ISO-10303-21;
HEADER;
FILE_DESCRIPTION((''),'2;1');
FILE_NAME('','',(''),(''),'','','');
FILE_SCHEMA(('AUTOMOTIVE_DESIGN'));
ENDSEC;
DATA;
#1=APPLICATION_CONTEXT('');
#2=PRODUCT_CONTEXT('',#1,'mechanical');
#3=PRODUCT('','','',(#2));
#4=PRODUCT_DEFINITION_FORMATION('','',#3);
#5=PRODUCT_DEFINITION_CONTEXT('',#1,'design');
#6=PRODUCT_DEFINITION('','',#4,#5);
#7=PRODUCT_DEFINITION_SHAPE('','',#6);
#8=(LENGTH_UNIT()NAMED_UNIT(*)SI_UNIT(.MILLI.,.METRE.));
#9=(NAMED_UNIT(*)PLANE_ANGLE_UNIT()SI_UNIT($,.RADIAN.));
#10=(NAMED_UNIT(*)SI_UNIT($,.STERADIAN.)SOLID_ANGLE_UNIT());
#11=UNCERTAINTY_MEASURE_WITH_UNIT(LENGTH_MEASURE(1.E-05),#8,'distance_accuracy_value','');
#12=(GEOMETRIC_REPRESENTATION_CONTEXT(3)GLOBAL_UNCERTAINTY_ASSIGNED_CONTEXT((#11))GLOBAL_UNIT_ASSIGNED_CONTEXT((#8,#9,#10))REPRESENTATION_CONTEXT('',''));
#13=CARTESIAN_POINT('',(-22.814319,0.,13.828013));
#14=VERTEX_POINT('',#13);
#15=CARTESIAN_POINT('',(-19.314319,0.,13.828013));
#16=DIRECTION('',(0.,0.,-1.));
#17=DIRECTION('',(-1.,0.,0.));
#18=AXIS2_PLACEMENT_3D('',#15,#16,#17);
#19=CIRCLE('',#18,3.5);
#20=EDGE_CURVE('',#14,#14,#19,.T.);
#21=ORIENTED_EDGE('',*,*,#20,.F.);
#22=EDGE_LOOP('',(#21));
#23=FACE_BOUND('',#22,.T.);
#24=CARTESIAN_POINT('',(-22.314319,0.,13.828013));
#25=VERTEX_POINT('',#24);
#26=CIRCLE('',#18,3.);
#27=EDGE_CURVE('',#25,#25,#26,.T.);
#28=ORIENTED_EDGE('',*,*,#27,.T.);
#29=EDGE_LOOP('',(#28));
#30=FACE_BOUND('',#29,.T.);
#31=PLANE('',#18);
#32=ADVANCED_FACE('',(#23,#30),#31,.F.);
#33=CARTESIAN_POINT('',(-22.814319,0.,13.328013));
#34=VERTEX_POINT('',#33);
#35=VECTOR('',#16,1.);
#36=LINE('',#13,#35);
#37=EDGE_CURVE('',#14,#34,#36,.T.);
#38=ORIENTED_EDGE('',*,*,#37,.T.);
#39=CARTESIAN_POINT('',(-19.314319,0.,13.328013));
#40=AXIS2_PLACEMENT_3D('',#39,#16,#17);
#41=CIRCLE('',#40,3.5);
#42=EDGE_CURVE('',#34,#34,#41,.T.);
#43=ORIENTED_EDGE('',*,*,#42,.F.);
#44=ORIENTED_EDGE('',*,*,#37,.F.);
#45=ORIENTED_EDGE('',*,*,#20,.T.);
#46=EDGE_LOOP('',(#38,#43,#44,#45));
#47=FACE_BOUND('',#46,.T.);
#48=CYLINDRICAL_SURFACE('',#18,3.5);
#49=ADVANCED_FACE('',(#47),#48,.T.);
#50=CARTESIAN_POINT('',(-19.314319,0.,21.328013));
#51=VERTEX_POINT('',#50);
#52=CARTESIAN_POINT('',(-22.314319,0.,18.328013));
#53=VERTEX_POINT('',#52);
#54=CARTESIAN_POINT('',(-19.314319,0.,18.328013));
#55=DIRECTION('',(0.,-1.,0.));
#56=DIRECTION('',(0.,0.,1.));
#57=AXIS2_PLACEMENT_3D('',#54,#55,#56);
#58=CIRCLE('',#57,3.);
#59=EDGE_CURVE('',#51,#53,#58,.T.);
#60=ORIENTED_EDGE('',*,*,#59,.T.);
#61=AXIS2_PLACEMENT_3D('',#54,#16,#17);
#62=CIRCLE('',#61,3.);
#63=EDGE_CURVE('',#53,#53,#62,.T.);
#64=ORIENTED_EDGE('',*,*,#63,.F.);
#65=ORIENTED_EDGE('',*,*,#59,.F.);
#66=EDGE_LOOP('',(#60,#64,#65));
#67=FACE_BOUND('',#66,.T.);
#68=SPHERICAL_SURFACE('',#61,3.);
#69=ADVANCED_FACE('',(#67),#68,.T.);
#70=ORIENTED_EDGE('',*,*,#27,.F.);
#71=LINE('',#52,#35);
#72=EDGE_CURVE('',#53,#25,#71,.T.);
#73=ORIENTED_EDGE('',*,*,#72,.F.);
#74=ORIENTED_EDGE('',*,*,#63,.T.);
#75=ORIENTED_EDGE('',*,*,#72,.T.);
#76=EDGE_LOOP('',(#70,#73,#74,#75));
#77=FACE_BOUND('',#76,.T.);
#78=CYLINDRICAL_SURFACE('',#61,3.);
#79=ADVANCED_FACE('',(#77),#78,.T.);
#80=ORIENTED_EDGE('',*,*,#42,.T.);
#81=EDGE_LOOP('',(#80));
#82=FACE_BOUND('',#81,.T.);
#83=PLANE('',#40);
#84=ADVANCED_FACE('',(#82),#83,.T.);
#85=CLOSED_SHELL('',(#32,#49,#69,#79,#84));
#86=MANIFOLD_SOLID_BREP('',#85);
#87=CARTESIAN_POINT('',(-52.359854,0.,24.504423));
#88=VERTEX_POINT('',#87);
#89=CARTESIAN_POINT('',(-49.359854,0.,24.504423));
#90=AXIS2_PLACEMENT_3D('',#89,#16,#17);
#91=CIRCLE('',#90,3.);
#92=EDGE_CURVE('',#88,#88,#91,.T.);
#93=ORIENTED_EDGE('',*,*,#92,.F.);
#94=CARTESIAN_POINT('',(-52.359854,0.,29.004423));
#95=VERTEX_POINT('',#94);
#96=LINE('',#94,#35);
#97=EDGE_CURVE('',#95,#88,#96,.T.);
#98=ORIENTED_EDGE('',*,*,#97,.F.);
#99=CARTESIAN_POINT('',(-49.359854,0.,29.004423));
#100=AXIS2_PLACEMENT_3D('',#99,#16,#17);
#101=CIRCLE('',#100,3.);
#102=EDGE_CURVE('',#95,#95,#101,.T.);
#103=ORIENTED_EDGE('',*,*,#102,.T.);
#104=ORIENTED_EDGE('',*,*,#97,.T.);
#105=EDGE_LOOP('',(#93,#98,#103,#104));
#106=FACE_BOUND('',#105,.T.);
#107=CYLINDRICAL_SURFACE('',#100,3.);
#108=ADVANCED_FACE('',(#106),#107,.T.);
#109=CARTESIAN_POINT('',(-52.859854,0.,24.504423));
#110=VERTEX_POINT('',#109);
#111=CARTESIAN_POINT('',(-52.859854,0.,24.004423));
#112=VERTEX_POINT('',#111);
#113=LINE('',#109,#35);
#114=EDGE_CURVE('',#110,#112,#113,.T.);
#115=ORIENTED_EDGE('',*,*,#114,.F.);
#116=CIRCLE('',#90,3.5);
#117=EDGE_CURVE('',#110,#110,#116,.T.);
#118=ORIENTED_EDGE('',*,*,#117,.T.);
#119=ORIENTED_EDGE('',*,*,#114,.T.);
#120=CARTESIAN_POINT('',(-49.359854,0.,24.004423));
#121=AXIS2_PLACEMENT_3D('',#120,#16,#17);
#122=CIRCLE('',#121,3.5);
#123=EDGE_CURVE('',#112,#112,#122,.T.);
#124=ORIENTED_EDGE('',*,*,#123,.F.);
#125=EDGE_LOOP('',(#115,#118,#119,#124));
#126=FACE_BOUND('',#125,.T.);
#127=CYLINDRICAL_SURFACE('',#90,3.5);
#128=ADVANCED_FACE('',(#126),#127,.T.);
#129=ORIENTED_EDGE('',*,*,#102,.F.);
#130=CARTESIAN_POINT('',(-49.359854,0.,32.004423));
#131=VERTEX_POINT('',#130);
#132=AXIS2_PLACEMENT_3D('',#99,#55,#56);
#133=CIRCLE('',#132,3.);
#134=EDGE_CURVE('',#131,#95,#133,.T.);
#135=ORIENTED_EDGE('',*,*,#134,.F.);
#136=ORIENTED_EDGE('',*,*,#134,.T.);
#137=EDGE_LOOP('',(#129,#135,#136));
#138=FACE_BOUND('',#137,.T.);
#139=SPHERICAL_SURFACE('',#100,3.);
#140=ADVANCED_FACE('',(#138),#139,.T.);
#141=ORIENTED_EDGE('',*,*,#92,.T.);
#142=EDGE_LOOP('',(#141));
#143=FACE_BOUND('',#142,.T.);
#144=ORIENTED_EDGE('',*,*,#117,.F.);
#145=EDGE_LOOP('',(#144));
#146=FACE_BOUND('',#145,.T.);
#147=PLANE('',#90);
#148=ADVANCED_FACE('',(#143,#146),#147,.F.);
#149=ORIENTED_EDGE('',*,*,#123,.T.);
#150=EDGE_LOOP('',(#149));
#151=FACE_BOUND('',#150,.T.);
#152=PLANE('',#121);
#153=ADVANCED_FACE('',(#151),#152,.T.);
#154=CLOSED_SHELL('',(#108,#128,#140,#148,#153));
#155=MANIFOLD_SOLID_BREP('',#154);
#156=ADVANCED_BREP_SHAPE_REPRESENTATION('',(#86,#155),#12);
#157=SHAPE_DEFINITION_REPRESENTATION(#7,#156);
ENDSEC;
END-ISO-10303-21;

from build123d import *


with BuildPart() as f1:
    # F0 (on Front) → F1 (revolve)
    with BuildSketch(Plane.XZ):
        with BuildLine():
            Line((-52.8598544966, 24.0044232727), (-49.3598544966, 24.0044232727))
            Line((-49.3598544966, 24.0044232727), (-49.3598544966, 32.0044232727))
            ThreePointArc((-49.3598544966, 32.0044232727), (-51.4811748402, 31.1257436162), (-52.3598544966, 29.0044232727))
            Line((-52.3598544966, 29.0044232727), (-52.3598544966, 24.5044232727))
            Line((-52.3598544966, 24.5044232727), (-52.8598544966, 24.5044232727))
            Line((-52.8598544966, 24.5044232727), (-52.8598544966, 24.0044232727))
        make_face()
    revolve(axis=Axis((-49.3598544966, 0, 28.0044232727), (0, 0, -1)))


with BuildPart() as f3:
    # F2 (on Front) → F3 (revolve)
    with BuildSketch(Plane.XZ):
        with BuildLine():
            Line((-22.8143190812, 13.3280132235), (-19.3143190812, 13.3280132235))
            Line((-19.3143190812, 13.3280132235), (-19.3143190812, 21.3280132235))
            ThreePointArc((-19.3143190812, 21.3280132235), (-21.4356394247, 20.449333567), (-22.3143190812, 18.3280132235))
            Line((-22.3143190812, 18.3280132235), (-22.3143190812, 13.8280132235))
            Line((-22.3143190812, 13.8280132235), (-22.8143190812, 13.8280132235))
            Line((-22.8143190812, 13.8280132235), (-22.8143190812, 13.3280132235))
        make_face()
    revolve(axis=Axis((-19.3143190812, 0, 17.3280132235), (0, 0, -1)))


solid = Compound([f1.part, f3.part])
